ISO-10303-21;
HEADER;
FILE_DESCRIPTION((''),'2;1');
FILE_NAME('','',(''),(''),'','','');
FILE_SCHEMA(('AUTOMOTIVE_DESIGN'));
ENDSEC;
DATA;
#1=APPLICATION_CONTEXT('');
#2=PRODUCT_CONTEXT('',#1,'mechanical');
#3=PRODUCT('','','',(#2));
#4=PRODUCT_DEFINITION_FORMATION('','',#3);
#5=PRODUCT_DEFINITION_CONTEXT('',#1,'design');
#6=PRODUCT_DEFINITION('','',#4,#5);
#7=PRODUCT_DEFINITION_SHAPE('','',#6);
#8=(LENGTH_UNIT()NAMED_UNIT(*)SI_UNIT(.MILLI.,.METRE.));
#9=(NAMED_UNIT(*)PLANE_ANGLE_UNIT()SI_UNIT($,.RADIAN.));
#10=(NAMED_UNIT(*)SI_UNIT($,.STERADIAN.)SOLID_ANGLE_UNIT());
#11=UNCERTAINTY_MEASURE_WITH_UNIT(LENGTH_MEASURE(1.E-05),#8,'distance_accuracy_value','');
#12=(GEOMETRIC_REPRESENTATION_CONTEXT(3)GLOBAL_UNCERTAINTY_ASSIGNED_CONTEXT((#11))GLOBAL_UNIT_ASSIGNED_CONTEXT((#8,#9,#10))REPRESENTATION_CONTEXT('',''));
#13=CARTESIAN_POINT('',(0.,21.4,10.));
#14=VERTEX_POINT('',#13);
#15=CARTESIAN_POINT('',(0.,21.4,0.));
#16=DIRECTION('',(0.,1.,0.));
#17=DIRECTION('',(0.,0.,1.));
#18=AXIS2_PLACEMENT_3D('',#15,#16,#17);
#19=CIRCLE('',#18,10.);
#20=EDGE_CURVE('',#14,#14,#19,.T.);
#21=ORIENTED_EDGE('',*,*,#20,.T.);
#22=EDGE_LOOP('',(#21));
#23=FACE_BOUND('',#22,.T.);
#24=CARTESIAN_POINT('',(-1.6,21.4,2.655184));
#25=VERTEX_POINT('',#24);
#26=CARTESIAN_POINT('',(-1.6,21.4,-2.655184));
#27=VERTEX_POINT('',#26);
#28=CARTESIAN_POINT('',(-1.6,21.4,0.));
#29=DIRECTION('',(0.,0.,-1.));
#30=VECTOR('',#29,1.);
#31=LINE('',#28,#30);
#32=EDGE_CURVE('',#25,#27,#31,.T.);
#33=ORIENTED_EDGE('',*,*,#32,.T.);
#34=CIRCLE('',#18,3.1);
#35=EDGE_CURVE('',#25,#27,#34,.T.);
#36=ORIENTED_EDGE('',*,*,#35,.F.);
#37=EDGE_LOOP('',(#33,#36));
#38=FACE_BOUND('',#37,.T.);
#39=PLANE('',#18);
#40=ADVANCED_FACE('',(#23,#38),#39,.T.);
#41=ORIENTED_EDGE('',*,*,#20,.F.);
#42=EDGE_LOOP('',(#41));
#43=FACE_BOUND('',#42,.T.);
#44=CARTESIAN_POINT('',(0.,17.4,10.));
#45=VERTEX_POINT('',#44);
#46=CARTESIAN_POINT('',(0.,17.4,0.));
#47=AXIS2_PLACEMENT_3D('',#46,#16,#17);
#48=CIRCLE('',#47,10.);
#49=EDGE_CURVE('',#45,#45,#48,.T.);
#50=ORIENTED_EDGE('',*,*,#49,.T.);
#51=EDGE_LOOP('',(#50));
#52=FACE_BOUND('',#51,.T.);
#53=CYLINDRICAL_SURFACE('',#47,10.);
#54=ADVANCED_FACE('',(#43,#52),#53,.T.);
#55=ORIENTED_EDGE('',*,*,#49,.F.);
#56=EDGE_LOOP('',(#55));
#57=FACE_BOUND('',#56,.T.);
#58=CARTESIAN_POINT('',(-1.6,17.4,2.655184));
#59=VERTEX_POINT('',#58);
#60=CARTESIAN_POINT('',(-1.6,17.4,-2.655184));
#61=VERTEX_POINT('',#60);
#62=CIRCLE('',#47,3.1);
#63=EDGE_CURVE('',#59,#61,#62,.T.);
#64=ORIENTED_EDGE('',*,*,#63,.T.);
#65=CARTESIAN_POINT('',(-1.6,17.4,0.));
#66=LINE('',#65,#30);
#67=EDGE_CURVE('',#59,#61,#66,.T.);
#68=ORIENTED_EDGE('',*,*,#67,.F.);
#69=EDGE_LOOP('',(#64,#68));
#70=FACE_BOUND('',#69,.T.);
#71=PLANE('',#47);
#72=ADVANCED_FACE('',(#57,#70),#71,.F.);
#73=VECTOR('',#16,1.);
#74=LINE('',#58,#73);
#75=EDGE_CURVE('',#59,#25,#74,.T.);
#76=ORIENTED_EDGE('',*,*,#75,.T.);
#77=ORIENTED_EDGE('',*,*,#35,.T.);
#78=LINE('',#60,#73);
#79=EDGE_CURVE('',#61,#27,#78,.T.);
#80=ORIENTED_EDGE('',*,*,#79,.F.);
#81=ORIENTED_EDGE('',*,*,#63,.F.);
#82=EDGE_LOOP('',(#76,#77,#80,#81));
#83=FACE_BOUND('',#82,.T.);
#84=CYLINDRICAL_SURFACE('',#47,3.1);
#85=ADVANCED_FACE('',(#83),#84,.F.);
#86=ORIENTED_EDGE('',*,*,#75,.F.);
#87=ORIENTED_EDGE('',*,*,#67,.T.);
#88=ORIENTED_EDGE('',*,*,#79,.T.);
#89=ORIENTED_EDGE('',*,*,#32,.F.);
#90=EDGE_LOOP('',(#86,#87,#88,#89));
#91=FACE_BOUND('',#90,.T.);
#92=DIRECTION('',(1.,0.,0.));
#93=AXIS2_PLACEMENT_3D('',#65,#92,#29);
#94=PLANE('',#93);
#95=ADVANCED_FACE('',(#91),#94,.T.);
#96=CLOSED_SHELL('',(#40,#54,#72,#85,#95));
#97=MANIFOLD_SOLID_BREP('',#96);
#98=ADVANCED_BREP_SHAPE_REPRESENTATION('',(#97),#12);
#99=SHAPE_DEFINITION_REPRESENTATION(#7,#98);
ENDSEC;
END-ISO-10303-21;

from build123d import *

# Parameters (mm, degrees)
BOSS_EXTRU_1_START = 17.4
ESQUISSE1_R        = 10
BOSS_EXTRU_1_DEPTH = 4


with BuildPart() as part:
    # Esquisse1 → Boss.-Extru.1 (new body)
    with BuildSketch(Plane(origin=(0, 0, 0), x_dir=(1, 0, 0), z_dir=(0, 1, 0)).offset(BOSS_EXTRU_1_START)):
        with Locations(Location((0, 0, 0), (0, 0, 270))):
            Circle(ESQUISSE1_R)
        with BuildLine():
            Line((-1.6, -2.244994432), (-1.6, -2.655183609))
            ThreePointArc((-1.6, -2.655183609), (-0.830340536, -2.986726401), (0, -3.1))
            ThreePointArc((0, -3.1), (3.1, 0), (0, 3.1))
            ThreePointArc((0, 3.1), (-0.830340536, 2.986726401), (-1.6, 2.655183609))
            Line((-1.6, 2.655183609), (-1.6, 2.244994432))
            Line((-1.6, 2.244994432), (-1.6, -2.244994432))
        make_face(mode=Mode.SUBTRACT)
    extrude(amount=BOSS_EXTRU_1_DEPTH)


solid = part.part
